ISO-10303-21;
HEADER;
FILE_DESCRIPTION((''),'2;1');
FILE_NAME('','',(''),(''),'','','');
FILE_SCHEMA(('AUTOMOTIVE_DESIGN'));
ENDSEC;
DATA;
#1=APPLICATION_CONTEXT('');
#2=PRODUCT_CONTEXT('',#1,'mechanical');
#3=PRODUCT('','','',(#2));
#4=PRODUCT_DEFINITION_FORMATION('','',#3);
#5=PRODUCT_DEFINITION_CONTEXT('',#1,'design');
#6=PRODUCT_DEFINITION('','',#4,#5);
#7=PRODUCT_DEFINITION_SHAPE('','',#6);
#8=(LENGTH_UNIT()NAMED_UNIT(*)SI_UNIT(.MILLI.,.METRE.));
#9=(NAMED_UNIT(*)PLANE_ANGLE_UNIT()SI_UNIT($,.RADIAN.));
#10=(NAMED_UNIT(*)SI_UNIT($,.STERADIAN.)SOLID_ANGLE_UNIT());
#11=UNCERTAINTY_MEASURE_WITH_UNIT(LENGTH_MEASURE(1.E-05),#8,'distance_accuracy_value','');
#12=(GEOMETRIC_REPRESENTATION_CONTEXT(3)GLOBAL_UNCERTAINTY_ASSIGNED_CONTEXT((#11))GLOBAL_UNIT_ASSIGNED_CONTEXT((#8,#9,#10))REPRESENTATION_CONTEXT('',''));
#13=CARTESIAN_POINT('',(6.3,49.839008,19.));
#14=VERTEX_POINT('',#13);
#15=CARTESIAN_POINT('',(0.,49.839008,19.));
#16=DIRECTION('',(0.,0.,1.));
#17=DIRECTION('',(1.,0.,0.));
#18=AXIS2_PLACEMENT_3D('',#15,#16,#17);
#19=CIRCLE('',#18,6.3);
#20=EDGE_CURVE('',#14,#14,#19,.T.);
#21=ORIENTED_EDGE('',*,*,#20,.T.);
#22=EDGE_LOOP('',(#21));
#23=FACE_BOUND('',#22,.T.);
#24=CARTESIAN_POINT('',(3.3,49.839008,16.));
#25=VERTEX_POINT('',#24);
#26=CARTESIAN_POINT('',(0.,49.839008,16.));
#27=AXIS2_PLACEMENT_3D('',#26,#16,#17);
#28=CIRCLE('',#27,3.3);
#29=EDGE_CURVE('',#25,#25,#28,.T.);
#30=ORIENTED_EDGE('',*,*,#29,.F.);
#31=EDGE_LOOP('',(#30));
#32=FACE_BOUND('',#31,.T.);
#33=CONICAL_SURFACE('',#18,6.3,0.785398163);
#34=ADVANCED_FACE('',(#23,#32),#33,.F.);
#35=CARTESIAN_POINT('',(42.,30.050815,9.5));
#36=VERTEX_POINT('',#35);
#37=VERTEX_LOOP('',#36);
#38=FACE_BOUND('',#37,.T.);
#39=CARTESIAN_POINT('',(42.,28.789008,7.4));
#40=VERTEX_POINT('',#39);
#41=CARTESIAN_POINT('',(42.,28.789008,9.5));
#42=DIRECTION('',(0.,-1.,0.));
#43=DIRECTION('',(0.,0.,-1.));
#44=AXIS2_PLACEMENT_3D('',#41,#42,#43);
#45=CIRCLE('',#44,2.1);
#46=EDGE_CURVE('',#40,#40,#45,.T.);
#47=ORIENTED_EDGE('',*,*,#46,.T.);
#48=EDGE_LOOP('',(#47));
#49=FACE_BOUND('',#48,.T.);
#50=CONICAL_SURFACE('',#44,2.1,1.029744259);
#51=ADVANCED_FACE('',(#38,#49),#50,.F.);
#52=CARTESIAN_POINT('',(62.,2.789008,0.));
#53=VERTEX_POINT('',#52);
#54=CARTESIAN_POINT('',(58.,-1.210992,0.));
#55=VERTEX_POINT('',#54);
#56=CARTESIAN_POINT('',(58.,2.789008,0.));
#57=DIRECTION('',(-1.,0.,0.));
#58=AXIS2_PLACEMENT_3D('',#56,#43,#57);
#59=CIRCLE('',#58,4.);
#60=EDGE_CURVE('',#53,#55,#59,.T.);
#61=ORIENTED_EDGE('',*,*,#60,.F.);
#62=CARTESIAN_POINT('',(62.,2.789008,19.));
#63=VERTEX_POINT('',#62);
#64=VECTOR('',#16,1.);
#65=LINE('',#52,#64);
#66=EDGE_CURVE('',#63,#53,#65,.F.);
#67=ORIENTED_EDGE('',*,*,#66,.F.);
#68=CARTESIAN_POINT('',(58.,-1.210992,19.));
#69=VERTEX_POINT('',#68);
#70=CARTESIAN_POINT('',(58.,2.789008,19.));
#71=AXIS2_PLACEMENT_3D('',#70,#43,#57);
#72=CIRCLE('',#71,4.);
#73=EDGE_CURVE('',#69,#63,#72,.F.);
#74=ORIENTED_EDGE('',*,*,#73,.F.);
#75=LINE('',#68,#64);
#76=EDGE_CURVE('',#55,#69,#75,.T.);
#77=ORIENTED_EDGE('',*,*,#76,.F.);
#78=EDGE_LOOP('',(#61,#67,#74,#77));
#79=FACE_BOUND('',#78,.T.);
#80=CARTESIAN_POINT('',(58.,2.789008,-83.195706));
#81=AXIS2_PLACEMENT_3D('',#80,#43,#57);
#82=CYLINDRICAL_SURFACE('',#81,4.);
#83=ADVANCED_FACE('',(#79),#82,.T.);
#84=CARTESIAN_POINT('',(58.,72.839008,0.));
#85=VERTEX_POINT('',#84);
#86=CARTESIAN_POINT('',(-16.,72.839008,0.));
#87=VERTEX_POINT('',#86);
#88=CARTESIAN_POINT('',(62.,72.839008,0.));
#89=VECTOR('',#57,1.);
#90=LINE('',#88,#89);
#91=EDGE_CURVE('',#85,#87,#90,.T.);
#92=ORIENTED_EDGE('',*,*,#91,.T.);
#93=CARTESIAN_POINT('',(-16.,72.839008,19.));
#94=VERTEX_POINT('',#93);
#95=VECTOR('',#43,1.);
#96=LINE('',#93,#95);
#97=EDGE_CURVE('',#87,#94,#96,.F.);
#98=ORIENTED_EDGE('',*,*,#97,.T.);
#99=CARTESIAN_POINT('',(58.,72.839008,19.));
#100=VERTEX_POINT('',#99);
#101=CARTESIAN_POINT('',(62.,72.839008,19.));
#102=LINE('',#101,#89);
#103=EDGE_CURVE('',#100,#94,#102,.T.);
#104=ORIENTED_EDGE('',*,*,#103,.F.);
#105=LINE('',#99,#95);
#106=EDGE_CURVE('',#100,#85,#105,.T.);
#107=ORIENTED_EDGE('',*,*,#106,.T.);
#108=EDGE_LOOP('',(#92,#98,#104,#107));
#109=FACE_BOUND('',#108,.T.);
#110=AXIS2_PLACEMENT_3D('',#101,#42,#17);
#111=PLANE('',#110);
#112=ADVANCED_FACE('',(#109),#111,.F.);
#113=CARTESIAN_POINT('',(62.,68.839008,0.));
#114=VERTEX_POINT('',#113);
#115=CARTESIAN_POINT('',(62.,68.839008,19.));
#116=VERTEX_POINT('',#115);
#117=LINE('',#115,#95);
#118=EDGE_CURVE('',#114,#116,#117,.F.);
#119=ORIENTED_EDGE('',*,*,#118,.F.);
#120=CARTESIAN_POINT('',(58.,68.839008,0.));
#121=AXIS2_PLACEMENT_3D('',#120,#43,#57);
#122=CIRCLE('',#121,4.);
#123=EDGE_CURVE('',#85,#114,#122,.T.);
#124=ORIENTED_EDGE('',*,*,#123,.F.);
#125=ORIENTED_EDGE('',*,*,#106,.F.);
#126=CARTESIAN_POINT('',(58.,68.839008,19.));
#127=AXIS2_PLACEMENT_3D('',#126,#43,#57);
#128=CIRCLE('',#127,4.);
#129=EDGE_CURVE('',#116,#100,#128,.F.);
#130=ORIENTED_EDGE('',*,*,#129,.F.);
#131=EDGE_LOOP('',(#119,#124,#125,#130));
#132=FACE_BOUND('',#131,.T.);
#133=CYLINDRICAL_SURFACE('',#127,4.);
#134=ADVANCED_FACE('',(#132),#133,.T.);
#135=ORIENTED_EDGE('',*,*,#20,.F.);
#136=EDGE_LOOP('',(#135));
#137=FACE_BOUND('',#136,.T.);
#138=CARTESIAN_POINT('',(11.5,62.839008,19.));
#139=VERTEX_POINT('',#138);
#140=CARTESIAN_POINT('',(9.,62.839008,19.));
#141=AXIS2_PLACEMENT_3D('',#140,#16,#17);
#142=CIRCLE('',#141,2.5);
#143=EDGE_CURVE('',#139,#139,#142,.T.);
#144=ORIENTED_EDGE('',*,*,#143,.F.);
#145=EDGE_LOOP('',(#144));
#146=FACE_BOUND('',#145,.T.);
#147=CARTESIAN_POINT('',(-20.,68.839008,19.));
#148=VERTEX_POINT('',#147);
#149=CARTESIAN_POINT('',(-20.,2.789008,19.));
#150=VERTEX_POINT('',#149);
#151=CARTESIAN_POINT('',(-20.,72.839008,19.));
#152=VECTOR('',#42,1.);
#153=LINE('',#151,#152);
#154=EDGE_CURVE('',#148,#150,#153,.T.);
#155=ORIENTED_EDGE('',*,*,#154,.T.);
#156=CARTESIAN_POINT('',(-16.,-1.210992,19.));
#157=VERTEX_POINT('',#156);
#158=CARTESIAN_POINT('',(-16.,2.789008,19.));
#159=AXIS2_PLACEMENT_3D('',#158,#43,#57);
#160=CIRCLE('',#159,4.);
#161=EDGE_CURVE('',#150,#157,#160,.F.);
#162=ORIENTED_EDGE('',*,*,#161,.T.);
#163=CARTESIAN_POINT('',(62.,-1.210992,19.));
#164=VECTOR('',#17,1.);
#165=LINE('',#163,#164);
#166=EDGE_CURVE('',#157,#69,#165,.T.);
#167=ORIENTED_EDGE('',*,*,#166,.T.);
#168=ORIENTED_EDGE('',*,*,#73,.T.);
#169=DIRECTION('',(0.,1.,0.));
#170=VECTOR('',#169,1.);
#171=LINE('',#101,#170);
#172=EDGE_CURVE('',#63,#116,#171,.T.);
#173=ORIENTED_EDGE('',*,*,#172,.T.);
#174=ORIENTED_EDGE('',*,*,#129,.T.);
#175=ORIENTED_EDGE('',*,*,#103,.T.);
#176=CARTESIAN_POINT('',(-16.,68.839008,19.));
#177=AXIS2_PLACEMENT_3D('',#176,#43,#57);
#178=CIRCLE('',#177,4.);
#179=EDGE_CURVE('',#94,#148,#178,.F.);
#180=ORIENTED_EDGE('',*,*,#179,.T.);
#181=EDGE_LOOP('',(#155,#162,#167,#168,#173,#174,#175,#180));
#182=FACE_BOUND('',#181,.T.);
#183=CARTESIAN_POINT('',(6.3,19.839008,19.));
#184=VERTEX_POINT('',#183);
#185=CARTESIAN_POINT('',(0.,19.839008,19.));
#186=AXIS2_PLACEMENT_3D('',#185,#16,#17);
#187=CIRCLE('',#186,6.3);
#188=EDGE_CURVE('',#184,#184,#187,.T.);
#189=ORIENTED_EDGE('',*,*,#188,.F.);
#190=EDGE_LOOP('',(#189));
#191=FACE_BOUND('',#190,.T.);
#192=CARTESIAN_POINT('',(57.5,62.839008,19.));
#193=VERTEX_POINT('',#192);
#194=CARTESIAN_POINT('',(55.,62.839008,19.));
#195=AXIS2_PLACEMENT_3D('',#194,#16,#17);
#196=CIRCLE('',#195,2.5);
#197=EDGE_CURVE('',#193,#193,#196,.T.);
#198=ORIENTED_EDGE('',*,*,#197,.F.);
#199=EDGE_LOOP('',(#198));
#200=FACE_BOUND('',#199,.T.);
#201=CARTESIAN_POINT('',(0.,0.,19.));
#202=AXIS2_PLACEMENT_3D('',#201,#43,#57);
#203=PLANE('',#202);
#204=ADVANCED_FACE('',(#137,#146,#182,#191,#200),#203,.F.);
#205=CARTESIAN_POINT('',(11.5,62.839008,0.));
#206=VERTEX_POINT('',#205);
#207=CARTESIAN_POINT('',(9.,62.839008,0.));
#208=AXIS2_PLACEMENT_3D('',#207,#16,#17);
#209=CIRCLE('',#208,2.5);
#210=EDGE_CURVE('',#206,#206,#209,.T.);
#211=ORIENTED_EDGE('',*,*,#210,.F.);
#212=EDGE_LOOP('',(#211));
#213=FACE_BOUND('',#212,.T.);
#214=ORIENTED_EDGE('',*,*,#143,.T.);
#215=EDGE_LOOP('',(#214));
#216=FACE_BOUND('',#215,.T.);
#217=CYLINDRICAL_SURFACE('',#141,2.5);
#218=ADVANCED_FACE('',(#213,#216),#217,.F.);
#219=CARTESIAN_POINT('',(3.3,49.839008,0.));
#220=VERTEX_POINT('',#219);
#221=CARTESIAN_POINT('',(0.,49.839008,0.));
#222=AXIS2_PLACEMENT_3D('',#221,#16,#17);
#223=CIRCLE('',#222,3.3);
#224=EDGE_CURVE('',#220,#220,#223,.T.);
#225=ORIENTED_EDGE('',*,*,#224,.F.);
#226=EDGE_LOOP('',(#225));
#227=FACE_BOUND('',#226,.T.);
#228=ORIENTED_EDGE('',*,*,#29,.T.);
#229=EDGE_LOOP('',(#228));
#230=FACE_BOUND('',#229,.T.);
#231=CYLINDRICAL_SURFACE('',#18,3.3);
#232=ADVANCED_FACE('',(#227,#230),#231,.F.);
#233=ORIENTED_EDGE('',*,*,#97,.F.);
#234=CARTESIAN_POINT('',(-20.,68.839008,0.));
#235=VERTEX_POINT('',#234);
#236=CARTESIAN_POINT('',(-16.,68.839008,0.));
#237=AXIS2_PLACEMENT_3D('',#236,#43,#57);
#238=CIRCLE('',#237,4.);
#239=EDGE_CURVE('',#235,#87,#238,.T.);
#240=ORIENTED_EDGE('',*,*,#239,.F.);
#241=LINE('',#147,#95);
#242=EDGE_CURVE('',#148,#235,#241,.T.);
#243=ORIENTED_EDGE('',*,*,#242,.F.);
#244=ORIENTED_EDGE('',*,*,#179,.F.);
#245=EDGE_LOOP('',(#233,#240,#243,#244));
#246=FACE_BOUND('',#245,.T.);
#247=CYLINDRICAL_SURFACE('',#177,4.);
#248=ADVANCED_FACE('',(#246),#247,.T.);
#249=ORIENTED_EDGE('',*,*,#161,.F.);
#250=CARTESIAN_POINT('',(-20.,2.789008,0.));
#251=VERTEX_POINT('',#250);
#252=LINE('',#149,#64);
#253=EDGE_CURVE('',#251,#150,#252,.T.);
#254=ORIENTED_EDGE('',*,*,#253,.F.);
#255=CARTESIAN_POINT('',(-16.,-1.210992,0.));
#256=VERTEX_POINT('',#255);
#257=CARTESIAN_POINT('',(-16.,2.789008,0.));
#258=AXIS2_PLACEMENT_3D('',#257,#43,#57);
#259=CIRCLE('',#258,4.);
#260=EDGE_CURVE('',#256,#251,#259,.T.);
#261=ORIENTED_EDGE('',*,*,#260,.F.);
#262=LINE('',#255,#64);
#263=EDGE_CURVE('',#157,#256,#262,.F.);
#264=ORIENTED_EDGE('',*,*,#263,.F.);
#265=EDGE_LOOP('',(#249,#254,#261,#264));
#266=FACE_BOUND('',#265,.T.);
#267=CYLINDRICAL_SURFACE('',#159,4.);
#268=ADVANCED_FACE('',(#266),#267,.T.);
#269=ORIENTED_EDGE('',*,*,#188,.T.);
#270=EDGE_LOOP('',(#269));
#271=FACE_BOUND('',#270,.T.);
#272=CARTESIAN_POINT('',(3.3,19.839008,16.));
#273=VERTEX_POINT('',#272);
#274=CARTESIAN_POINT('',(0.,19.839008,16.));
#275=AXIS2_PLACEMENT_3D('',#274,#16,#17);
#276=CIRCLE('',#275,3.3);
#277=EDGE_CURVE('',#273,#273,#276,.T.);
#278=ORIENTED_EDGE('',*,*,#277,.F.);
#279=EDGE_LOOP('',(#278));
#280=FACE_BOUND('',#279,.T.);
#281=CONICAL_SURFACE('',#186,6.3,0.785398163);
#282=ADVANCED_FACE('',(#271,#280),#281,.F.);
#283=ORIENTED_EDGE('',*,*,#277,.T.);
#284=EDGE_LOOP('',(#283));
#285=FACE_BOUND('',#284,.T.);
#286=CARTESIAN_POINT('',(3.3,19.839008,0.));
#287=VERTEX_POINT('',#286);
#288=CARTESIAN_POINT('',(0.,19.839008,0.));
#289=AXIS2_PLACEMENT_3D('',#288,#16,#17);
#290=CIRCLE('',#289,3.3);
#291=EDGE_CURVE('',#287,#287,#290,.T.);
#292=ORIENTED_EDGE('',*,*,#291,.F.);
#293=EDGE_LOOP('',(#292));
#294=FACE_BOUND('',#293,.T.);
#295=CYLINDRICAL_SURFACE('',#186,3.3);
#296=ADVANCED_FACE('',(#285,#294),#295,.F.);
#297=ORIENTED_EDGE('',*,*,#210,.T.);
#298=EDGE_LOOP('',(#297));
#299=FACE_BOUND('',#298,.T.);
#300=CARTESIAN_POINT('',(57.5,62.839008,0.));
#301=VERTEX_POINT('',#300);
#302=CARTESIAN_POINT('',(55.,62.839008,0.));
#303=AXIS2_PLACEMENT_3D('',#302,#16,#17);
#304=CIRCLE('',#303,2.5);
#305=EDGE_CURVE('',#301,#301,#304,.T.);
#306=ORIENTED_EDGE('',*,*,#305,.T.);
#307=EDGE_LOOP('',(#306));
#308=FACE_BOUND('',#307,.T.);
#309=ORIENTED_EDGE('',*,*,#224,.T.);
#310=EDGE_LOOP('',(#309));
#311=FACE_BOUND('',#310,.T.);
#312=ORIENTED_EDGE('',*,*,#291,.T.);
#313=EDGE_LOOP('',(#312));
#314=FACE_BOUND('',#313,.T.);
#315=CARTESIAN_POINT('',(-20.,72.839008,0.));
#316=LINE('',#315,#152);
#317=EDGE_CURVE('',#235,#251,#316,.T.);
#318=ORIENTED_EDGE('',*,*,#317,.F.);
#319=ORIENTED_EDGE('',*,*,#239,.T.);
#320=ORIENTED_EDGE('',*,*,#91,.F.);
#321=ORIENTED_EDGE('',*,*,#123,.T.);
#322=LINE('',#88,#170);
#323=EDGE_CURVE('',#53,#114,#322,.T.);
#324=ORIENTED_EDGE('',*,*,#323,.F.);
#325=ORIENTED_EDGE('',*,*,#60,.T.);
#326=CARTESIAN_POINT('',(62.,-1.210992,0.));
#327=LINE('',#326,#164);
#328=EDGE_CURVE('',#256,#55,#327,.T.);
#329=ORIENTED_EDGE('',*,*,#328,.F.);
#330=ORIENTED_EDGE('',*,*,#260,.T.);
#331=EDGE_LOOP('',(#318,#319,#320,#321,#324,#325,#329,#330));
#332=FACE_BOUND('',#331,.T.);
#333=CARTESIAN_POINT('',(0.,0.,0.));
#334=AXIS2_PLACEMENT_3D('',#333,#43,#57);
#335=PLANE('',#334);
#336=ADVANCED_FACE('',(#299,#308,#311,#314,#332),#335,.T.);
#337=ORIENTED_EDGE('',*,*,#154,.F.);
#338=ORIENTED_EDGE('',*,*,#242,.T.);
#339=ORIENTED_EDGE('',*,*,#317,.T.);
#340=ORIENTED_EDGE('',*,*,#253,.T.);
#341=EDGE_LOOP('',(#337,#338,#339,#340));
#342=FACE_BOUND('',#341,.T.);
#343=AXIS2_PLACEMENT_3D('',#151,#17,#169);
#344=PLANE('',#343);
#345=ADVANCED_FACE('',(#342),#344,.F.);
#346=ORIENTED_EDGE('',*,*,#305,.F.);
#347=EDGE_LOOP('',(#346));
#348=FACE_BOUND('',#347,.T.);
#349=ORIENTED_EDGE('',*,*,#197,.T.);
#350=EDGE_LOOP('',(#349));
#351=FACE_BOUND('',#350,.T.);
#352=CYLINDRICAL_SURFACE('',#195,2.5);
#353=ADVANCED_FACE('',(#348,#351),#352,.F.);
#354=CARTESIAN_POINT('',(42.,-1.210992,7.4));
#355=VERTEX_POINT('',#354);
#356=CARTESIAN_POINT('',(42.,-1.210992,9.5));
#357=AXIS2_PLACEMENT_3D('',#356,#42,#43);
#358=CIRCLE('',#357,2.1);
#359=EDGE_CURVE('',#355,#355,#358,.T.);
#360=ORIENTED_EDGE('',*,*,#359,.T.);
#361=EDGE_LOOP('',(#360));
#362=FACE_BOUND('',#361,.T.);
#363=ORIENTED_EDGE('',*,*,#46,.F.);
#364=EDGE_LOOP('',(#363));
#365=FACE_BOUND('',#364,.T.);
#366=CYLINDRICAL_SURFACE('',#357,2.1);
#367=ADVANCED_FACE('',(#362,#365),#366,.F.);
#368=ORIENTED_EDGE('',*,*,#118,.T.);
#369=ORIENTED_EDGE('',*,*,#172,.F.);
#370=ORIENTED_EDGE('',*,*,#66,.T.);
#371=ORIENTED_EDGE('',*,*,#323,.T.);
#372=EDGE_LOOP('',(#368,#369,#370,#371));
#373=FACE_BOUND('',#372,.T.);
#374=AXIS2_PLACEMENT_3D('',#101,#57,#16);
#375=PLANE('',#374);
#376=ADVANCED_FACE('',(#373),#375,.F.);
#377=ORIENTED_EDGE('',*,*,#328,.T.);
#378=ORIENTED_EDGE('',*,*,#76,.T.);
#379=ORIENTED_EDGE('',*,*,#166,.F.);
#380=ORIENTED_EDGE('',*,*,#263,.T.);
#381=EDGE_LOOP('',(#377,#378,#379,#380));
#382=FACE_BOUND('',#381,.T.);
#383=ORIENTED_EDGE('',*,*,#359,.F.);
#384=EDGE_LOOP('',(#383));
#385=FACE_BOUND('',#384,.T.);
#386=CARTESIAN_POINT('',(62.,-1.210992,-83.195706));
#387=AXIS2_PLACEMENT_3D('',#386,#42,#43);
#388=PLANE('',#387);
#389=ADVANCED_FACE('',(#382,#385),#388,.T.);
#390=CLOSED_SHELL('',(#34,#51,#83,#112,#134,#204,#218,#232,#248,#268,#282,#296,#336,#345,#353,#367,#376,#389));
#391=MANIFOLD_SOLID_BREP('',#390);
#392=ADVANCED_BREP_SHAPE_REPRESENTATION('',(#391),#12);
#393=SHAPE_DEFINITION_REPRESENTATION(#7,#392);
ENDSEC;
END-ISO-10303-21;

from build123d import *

# Parameters (mm, degrees)
SKETCH1_W                                           = 81.999999998
SKETCH1_H                                           = 60
BOSS_EXTRUDE1_DEPTH                                 = 19
TAP_DRILL_FOR_M6_TAP1_D                             = 5
CSK_FOR_M6_COUNTERSUNK_FLAT_HEAD_SCREW1_D           = 6.6
CSK_FOR_M6_COUNTERSUNK_FLAT_HEAD_SCREW1_CSINK_D     = 12.6
CSK_FOR_M6_COUNTERSUNK_FLAT_HEAD_SCREW1_CSINK_ANGLE = 90
SKETCH7_W                                           = 81.999999998
SKETCH7_H                                           = 14.054377775
BOSS_EXTRUDE2_DEPTH                                 = 19
TAP_DRILL_FOR_M5_TAP1_D                             = 4.2
TAP_DRILL_FOR_M5_TAP1_DEPTH                         = 30
TAP_DRILL_FOR_M5_TAP1_TIP                           = 1.2618073
FILLET1_R                                           = 4


with BuildPart() as part:
    # Sketch1 → Boss-Extrude1 (new body)
    with BuildSketch(Plane.XY):
        with Locations((20.999999999, 42.839007865)):
            Rectangle(SKETCH1_W, SKETCH1_H)
    extrude(amount=BOSS_EXTRUDE1_DEPTH)

    # Tap Drill for M6 Tap1 (through all)
    with Locations(Plane.XY.offset(19)):
        with Locations((8.999999998, 62.839007865), (54.999999998, 62.839007865)):
            Hole(TAP_DRILL_FOR_M6_TAP1_D / 2)

    # CSK for M6 Countersunk Flat Head Screw1 (through all)
    with Locations(Plane.XY.offset(19)):
        with Locations((0, 19.839007865), (0, 49.839007865)):
            CounterSinkHole(CSK_FOR_M6_COUNTERSUNK_FLAT_HEAD_SCREW1_D / 2, CSK_FOR_M6_COUNTERSUNK_FLAT_HEAD_SCREW1_CSINK_D / 2, counter_sink_angle=CSK_FOR_M6_COUNTERSUNK_FLAT_HEAD_SCREW1_CSINK_ANGLE)

    # Sketch7 → Boss-Extrude2 (add)
    with BuildSketch(Plane.XY.offset(19)):
        with Locations((20.999999999, 5.816196753)):
            Rectangle(SKETCH7_W, SKETCH7_H)
    extrude(amount=-BOSS_EXTRUDE2_DEPTH)

    # Tap Drill for M5 Tap1
    with Locations(Plane(origin=(0, -1.210992135, 0), x_dir=(-1, 0, 0), z_dir=(0, -1, 0))):
        with Locations((-41.999999998, -9.5)):
            Hole(TAP_DRILL_FOR_M5_TAP1_D / 2, depth=TAP_DRILL_FOR_M5_TAP1_DEPTH)
            with Locations((0, 0, -(TAP_DRILL_FOR_M5_TAP1_DEPTH + TAP_DRILL_FOR_M5_TAP1_TIP / 2))):  # 118° drill point
                Cone(0, TAP_DRILL_FOR_M5_TAP1_D / 2, TAP_DRILL_FOR_M5_TAP1_TIP, mode=Mode.SUBTRACT)

    # Fillet1
    fillet1_edges = [part.edges().sort_by_distance(p)[0] for p in [
        (-20, -1.210992135, 9.5),
        (61.999999998, -1.210992135, 9.5),
        (-20, 72.839007865, 9.5),
        (61.999999998, 72.839007865, 9.5),
    ]]
    fillet(fillet1_edges, radius=FILLET1_R)


solid = part.part
